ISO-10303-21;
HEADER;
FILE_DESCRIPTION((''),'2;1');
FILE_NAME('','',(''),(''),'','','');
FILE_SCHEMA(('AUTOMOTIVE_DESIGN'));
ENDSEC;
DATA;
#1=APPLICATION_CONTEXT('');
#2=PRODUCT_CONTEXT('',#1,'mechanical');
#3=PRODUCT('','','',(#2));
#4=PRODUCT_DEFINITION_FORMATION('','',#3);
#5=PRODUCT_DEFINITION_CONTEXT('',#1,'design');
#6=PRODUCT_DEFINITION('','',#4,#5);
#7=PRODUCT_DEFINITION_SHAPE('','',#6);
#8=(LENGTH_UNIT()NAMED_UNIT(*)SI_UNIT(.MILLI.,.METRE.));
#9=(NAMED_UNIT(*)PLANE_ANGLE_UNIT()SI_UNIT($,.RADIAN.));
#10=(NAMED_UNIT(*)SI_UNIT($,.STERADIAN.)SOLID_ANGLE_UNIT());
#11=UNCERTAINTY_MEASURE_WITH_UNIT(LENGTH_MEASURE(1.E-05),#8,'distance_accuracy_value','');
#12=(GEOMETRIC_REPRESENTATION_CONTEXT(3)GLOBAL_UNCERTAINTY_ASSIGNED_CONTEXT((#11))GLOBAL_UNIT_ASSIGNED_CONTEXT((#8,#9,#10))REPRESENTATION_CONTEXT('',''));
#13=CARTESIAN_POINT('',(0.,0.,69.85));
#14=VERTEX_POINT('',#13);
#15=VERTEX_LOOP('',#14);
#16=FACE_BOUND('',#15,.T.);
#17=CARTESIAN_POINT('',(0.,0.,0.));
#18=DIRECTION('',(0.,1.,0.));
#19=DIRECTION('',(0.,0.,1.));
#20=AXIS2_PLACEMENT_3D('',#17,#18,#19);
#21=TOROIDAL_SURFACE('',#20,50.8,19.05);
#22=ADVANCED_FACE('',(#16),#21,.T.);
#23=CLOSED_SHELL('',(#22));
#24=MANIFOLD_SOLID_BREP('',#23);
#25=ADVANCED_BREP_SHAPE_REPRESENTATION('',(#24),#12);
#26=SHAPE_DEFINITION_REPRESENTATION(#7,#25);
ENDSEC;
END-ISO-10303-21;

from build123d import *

# Parameters (mm, degrees)
SKETCH2_R = 19.05


with BuildPart() as part:
    # Sketch2 → Revolve1 (revolve)
    with BuildSketch(Plane.XY, mode=Mode.PRIVATE) as revolve1_sk:
        with Locations((-50.8, 0)):
            Circle(SKETCH2_R)
    revolve(revolve1_sk.sketch.rotate(Axis((0, 87.442723002, 0), (0, -1, 0)), 270), axis=Axis((0, 87.442723002, 0), (0, -1, 0)))


solid = part.part
